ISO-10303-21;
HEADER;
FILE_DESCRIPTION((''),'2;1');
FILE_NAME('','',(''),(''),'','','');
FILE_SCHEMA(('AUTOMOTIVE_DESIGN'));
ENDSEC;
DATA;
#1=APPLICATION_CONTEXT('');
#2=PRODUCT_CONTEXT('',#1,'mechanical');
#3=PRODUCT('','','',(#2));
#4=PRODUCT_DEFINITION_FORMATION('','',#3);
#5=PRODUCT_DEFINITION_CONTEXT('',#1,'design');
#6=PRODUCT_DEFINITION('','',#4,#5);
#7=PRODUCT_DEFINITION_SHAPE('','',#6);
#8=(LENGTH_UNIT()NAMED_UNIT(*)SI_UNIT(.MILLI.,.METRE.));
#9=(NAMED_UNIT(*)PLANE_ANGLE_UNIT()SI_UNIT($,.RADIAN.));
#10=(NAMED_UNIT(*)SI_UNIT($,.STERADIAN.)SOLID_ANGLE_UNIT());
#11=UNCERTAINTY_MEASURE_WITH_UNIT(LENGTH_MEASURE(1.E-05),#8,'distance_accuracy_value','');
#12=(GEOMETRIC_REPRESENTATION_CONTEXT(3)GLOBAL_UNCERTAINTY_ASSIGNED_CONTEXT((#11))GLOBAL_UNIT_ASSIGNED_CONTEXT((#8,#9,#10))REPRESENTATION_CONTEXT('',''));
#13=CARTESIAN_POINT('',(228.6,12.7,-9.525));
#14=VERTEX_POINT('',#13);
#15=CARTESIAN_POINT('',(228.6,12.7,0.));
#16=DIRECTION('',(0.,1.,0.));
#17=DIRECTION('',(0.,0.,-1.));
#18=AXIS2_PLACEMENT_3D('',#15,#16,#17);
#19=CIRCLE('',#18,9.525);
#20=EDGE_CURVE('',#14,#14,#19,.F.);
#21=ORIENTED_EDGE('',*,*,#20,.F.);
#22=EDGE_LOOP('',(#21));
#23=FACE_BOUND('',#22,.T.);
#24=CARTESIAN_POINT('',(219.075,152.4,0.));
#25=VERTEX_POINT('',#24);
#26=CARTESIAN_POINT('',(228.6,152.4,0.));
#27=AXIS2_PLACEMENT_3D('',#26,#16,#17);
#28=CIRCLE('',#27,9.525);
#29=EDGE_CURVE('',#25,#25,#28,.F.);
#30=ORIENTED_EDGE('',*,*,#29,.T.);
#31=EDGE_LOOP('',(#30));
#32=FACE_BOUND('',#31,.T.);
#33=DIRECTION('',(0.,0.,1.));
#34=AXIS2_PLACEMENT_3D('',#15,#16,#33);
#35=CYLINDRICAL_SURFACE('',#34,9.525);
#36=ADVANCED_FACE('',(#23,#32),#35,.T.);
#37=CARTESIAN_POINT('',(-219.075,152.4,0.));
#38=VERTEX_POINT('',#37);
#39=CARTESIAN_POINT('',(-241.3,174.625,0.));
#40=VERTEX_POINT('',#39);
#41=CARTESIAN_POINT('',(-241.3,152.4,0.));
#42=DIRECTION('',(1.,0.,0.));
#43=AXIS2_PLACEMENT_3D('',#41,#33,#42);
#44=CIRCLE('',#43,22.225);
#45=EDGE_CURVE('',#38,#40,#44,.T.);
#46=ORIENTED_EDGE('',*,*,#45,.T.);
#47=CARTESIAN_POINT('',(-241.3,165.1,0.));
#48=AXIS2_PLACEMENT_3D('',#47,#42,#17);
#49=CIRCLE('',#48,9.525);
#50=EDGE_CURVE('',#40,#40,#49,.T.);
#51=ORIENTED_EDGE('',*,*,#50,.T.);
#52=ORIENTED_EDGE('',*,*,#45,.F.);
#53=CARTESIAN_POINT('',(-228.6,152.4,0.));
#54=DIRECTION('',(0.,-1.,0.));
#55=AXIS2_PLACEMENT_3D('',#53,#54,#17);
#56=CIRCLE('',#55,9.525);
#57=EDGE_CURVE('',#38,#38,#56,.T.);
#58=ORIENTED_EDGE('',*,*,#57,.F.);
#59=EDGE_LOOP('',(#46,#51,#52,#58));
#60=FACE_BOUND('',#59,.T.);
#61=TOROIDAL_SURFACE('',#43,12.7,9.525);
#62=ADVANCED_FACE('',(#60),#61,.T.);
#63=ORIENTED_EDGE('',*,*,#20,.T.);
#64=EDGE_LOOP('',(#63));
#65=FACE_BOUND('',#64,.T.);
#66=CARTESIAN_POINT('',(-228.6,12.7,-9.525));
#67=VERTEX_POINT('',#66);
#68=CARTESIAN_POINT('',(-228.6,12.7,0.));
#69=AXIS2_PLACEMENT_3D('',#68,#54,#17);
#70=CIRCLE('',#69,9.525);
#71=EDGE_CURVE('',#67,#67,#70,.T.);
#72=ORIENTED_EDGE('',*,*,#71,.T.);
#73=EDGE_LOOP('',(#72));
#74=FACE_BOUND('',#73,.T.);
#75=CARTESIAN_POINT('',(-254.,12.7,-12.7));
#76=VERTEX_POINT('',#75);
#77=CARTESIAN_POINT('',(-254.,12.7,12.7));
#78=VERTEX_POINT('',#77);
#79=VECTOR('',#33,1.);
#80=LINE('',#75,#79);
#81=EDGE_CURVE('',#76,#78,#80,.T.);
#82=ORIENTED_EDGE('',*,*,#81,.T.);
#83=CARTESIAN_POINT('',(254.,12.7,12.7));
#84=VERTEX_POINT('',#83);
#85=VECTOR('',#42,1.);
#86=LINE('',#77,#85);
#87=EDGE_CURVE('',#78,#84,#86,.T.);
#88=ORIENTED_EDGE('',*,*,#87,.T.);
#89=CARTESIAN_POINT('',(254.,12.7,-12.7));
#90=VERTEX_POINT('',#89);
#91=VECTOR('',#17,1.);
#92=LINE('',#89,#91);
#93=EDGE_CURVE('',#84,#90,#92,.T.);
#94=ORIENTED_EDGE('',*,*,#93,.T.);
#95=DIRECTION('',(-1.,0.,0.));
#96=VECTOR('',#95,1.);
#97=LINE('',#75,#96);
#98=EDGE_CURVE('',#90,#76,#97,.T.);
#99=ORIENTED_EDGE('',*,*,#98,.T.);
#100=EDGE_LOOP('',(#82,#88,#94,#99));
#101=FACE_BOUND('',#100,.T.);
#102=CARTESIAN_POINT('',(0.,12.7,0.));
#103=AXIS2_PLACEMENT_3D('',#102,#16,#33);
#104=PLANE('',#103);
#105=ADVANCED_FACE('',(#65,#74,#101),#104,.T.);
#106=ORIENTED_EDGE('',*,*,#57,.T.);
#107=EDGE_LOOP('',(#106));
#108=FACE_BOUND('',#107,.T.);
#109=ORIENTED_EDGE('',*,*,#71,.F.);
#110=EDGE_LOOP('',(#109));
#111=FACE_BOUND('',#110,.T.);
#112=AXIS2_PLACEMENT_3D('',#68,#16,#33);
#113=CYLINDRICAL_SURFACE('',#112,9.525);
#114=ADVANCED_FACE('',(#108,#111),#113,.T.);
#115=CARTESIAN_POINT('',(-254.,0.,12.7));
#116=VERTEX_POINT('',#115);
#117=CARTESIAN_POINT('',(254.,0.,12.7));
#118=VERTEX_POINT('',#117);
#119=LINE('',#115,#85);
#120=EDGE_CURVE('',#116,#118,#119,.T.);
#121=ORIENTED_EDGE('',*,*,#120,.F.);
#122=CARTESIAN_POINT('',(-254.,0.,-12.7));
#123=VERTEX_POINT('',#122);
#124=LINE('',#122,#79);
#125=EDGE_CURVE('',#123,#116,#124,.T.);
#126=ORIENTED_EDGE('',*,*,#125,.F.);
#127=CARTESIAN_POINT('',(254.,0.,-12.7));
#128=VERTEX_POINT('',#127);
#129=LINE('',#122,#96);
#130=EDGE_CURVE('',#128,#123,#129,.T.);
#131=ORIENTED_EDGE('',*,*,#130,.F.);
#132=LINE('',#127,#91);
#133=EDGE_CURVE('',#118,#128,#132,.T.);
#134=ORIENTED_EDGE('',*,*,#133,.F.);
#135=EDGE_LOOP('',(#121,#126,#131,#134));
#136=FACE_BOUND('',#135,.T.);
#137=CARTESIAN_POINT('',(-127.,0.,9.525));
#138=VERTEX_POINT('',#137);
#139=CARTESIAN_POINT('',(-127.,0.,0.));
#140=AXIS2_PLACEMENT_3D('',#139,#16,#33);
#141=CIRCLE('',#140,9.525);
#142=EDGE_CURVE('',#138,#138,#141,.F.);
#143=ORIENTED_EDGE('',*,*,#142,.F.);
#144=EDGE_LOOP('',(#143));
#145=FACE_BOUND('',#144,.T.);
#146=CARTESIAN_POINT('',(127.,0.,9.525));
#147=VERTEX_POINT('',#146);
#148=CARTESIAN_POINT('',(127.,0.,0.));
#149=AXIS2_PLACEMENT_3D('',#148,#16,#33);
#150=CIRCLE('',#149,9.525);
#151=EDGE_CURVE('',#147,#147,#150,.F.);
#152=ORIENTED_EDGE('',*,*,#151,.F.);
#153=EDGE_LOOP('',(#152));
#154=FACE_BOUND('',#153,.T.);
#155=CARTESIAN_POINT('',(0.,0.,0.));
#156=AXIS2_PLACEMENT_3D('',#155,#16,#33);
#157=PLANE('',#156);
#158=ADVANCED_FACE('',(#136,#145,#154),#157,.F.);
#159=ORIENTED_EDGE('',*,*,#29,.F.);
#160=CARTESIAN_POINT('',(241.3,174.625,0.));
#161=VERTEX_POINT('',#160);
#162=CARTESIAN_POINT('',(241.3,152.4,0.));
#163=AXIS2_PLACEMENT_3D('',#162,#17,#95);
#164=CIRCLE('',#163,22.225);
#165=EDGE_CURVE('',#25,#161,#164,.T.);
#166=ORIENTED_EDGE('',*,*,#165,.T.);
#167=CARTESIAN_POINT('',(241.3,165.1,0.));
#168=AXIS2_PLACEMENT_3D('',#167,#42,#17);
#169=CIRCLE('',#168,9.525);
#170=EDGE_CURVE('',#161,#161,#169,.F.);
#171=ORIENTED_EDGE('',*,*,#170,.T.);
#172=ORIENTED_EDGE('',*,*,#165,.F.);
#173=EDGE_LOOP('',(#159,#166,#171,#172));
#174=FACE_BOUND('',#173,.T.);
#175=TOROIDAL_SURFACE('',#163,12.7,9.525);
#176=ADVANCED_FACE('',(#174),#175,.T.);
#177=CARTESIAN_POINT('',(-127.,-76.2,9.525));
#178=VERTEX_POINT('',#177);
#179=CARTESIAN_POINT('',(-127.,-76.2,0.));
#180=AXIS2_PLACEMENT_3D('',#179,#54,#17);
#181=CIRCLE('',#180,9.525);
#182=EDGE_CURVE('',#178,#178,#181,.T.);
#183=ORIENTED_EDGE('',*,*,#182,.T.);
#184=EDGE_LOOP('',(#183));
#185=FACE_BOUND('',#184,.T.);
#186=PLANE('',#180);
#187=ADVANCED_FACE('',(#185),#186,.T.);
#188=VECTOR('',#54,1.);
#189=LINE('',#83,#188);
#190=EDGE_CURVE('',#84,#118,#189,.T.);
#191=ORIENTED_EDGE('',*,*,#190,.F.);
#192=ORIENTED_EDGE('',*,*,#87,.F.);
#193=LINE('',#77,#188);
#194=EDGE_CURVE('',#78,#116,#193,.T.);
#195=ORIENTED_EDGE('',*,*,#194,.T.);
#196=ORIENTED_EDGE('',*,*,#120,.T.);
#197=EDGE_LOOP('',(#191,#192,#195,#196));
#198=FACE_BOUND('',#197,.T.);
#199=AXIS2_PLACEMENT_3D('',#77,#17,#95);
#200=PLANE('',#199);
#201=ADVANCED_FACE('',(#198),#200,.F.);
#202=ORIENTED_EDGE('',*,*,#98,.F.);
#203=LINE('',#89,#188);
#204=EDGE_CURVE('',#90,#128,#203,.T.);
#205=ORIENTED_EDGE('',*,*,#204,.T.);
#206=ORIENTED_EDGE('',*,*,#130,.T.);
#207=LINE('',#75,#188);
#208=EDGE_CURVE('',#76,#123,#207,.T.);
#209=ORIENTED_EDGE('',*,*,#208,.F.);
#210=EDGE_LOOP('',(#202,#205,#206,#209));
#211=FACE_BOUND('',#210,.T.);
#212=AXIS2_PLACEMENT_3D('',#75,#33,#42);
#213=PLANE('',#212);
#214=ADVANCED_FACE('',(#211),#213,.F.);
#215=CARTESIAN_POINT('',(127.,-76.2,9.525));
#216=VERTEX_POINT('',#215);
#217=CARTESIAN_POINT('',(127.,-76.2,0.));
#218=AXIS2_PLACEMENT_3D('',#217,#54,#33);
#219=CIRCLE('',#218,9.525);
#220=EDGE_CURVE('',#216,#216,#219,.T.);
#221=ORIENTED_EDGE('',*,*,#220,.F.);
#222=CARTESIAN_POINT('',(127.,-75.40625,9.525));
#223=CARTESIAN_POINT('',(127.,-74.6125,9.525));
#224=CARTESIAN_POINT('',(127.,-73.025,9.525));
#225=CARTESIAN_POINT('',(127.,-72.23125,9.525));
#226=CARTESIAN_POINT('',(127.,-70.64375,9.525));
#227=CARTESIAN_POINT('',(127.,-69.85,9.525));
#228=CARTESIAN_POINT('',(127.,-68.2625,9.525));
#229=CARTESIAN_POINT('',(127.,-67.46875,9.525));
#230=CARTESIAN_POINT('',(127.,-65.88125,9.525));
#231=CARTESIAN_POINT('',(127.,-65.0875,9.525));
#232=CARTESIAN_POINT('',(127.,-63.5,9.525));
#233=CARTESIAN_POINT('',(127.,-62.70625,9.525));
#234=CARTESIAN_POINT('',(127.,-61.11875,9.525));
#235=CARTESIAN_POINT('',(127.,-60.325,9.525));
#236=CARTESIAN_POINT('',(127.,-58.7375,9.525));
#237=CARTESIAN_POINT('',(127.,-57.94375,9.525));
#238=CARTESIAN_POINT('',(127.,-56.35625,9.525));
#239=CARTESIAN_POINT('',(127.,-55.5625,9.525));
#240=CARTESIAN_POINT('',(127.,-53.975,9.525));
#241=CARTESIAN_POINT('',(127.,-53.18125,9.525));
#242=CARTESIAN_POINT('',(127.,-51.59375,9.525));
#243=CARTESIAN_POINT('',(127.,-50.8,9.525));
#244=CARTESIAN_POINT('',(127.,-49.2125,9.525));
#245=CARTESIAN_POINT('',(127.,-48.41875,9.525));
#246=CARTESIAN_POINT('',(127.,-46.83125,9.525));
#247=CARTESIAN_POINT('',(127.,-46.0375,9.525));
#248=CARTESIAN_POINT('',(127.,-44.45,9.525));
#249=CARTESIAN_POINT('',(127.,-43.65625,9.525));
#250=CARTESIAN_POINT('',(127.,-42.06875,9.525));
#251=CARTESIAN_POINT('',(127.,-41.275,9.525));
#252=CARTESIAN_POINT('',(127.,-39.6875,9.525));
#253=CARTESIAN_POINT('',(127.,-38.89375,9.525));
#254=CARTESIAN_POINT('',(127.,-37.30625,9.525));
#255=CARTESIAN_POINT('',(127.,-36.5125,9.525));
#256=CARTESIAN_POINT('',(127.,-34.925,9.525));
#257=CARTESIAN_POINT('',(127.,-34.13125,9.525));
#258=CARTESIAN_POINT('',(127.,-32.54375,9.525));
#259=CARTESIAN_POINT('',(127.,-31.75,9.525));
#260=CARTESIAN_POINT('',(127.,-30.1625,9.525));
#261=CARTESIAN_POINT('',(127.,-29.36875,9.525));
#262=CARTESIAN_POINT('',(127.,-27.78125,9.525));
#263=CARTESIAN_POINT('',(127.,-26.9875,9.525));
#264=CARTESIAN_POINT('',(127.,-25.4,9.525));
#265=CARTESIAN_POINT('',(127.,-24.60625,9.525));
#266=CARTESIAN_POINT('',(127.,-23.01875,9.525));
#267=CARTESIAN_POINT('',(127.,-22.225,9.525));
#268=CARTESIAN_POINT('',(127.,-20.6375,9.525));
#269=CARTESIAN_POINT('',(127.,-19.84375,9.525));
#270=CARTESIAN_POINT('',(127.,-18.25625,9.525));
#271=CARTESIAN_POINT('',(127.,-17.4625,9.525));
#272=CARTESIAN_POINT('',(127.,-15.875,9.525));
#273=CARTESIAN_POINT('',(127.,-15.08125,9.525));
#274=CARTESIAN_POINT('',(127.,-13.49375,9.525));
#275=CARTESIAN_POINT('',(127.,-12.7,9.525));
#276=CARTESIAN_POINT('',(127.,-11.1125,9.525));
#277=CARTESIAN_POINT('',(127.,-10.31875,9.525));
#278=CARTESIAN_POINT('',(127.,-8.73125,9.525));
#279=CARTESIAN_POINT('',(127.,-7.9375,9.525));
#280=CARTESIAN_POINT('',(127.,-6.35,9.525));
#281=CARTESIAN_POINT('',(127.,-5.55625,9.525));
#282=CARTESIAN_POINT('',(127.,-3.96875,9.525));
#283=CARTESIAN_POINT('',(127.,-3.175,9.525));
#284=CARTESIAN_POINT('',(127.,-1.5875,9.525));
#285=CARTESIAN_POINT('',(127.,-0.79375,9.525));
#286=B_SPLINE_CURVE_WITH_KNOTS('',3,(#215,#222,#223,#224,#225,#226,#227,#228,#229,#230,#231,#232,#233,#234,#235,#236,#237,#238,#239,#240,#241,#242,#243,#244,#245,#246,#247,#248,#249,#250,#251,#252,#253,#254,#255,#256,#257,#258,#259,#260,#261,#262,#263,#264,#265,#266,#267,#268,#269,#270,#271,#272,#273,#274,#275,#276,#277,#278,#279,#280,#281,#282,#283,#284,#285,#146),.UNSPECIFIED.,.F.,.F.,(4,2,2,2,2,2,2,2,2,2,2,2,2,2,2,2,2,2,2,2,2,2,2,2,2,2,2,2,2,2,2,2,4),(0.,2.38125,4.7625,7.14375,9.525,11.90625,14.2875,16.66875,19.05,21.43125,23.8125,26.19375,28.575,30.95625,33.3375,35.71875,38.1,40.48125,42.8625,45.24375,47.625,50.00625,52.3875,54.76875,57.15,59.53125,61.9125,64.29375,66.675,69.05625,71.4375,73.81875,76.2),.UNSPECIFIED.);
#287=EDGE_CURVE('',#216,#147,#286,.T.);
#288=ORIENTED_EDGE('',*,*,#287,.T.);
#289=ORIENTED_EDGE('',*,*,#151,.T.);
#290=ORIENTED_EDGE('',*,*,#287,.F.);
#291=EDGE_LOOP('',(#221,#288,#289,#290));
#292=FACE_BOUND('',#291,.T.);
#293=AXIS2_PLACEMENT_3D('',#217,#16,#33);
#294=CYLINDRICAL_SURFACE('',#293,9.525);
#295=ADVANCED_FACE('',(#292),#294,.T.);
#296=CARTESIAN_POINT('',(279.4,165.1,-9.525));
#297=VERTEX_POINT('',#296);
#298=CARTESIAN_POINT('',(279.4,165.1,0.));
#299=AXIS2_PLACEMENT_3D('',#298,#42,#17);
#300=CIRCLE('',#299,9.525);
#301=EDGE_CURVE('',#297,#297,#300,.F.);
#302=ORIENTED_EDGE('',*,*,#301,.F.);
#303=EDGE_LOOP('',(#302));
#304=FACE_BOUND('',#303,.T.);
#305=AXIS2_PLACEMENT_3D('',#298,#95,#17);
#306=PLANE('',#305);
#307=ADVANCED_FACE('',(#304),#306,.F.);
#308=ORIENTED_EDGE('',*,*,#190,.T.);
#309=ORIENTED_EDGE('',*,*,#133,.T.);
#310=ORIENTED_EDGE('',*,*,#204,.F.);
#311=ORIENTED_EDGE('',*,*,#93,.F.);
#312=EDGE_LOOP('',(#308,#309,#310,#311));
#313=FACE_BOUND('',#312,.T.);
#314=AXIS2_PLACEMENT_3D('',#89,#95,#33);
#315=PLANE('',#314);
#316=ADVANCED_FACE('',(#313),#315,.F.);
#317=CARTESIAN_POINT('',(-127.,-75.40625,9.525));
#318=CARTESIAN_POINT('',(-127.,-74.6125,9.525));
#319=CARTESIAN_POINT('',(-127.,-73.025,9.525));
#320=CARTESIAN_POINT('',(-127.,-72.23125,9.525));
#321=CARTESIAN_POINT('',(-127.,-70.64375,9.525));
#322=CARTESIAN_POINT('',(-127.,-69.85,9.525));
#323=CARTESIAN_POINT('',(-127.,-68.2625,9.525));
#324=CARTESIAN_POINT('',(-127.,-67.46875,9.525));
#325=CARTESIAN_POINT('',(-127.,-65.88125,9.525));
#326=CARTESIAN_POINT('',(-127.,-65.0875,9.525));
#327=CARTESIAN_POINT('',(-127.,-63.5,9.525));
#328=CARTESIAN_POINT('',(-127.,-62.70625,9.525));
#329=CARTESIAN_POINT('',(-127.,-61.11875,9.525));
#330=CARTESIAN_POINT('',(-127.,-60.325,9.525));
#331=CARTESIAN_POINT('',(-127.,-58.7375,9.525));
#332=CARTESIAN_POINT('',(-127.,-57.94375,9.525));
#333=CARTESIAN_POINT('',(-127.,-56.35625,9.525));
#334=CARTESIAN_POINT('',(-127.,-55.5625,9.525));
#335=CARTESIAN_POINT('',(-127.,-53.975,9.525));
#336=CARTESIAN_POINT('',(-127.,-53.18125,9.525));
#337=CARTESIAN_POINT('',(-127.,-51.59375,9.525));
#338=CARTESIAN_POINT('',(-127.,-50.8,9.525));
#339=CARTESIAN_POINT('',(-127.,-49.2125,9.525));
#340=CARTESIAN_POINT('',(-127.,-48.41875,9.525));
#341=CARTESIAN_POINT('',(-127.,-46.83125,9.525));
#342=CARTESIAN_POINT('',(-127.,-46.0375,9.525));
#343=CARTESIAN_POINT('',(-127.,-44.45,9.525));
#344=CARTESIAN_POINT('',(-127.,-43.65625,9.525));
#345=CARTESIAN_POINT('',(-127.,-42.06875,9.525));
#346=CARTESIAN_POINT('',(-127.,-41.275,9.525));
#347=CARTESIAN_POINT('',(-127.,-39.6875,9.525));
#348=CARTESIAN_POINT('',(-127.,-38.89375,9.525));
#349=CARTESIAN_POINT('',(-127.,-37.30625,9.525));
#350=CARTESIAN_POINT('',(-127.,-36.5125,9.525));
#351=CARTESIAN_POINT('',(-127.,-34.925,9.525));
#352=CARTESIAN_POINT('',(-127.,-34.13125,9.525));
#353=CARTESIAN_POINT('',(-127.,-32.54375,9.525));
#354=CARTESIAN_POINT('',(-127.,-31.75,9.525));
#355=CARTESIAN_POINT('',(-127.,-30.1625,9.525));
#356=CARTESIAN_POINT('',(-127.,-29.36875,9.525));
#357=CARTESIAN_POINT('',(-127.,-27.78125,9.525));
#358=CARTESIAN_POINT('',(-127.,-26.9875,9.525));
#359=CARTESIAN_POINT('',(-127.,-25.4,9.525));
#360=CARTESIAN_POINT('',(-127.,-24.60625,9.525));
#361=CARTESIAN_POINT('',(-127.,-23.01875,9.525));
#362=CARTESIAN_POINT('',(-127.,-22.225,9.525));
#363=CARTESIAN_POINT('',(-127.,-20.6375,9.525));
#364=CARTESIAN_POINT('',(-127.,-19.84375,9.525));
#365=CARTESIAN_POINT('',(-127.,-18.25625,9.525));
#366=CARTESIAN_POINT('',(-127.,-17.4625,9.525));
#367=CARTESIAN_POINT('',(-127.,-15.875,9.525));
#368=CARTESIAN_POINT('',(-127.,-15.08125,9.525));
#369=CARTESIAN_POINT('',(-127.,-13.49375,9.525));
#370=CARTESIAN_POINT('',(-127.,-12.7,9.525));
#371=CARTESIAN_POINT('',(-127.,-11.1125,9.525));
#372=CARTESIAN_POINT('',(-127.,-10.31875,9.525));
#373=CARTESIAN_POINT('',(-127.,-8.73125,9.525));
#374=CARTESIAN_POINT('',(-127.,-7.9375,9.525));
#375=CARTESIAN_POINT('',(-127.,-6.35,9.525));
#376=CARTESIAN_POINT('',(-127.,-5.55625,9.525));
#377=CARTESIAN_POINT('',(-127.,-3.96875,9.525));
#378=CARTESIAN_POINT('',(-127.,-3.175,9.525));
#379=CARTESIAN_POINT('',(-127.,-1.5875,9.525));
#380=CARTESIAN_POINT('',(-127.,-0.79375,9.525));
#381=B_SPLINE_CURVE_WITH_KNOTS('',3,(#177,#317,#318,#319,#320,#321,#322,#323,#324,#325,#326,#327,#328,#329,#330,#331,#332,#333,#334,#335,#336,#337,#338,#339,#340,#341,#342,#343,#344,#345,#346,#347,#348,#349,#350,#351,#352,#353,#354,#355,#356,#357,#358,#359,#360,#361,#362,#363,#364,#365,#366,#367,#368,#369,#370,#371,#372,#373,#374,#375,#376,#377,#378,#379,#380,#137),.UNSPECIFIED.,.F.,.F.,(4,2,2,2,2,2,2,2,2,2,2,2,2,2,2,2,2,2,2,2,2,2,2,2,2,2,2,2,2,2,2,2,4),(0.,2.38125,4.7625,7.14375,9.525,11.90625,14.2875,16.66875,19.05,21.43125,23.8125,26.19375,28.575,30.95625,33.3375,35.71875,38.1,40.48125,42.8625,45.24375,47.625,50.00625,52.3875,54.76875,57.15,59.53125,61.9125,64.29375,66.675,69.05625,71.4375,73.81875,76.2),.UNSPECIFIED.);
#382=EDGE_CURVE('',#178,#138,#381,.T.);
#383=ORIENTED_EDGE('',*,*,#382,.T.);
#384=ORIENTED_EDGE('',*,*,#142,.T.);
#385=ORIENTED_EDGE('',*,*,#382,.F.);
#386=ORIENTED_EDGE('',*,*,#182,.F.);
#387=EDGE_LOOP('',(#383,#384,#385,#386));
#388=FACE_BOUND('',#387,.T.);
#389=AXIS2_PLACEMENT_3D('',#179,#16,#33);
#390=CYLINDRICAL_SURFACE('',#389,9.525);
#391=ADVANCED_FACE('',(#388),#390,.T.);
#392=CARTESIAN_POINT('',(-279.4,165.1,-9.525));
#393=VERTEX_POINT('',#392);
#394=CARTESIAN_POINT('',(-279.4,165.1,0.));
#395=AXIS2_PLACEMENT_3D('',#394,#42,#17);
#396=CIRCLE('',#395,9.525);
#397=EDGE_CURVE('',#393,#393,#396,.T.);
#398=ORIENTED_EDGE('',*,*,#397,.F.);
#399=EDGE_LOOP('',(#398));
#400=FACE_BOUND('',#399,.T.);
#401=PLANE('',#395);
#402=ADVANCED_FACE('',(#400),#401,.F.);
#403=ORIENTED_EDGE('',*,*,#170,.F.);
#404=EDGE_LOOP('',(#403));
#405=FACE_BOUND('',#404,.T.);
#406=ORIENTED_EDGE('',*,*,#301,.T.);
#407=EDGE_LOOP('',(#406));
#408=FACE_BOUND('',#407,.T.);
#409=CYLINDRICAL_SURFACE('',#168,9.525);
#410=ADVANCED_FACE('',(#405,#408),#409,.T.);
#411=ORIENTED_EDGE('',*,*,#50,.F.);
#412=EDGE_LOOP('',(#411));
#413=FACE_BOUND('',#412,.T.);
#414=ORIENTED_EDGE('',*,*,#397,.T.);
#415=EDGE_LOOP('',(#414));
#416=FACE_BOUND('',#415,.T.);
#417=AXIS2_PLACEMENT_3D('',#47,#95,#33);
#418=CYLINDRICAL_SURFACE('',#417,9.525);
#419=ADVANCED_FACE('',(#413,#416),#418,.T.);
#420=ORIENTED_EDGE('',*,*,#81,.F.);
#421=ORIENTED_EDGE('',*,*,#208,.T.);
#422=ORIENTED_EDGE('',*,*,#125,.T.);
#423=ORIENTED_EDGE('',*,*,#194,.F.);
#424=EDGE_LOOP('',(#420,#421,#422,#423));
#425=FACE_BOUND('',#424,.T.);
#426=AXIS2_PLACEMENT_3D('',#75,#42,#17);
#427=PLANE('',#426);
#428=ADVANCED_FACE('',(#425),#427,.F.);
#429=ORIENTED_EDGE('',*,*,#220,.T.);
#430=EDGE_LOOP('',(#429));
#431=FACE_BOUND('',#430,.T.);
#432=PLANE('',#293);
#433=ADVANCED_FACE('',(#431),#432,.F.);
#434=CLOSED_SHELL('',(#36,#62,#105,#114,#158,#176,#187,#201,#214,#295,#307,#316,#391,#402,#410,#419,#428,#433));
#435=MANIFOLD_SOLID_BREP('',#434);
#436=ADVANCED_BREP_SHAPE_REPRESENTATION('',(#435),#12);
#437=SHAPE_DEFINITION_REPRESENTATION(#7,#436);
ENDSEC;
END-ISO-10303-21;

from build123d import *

# Parameters (mm, degrees)
SKETCH1_W           = 508
SKETCH1_H           = 25.4
BOSS_EXTRUDE1_DEPTH = 12.7
SKETCH3_R           = 9.525
BOSS_EXTRUDE2_DEPTH = 76.2
SWEEP1_PROFILE_R    = 9.525


with BuildPart() as part:
    # Sketch1 → Boss-Extrude1 (new body)
    with BuildSketch(Plane(origin=(0, 0, 0), x_dir=(1, 0, 0), z_dir=(0, 1, 0))):
        Rectangle(SKETCH1_W, SKETCH1_H)
    extrude(amount=BOSS_EXTRUDE1_DEPTH)

    # Sketch3 → Boss-Extrude2 (add)
    with BuildSketch(Plane.XZ):
        with Locations(Location((-127, 0, 0), (0, 0, 90))):
            Circle(SKETCH3_R)
        with Locations(Location((127, 0, 0), (0, 0, 90))):
            Circle(SKETCH3_R)
    extrude(amount=BOSS_EXTRUDE2_DEPTH)

    # Sweep1: sweep along a path in Sketch4
    with BuildLine(Plane.XY) as sweep1_path:
        Line((-228.6, 12.7), (-228.6, 152.4))
        ThreePointArc((-228.6, 152.4), (-232.319743879, 161.380256121), (-241.3, 165.1))
        Line((-241.3, 165.1), (-279.4, 165.1))
    # Sweep1 profile (on start of the path) → Sweep1 (sweep)
    with BuildSketch(Plane(origin=(-228.6, 12.7, 0), x_dir=(0, 0, 1), z_dir=(0, 1, 0))):
        Circle(SWEEP1_PROFILE_R)
    sweep1 = sweep(path=sweep1_path.line)

    # Mirror1: Sweep1 across plane
    add(sweep1.mirror(Plane(origin=(0, 0, 0), x_dir=(0, 0, 1), z_dir=(1, 0, 0))))


solid = part.part
